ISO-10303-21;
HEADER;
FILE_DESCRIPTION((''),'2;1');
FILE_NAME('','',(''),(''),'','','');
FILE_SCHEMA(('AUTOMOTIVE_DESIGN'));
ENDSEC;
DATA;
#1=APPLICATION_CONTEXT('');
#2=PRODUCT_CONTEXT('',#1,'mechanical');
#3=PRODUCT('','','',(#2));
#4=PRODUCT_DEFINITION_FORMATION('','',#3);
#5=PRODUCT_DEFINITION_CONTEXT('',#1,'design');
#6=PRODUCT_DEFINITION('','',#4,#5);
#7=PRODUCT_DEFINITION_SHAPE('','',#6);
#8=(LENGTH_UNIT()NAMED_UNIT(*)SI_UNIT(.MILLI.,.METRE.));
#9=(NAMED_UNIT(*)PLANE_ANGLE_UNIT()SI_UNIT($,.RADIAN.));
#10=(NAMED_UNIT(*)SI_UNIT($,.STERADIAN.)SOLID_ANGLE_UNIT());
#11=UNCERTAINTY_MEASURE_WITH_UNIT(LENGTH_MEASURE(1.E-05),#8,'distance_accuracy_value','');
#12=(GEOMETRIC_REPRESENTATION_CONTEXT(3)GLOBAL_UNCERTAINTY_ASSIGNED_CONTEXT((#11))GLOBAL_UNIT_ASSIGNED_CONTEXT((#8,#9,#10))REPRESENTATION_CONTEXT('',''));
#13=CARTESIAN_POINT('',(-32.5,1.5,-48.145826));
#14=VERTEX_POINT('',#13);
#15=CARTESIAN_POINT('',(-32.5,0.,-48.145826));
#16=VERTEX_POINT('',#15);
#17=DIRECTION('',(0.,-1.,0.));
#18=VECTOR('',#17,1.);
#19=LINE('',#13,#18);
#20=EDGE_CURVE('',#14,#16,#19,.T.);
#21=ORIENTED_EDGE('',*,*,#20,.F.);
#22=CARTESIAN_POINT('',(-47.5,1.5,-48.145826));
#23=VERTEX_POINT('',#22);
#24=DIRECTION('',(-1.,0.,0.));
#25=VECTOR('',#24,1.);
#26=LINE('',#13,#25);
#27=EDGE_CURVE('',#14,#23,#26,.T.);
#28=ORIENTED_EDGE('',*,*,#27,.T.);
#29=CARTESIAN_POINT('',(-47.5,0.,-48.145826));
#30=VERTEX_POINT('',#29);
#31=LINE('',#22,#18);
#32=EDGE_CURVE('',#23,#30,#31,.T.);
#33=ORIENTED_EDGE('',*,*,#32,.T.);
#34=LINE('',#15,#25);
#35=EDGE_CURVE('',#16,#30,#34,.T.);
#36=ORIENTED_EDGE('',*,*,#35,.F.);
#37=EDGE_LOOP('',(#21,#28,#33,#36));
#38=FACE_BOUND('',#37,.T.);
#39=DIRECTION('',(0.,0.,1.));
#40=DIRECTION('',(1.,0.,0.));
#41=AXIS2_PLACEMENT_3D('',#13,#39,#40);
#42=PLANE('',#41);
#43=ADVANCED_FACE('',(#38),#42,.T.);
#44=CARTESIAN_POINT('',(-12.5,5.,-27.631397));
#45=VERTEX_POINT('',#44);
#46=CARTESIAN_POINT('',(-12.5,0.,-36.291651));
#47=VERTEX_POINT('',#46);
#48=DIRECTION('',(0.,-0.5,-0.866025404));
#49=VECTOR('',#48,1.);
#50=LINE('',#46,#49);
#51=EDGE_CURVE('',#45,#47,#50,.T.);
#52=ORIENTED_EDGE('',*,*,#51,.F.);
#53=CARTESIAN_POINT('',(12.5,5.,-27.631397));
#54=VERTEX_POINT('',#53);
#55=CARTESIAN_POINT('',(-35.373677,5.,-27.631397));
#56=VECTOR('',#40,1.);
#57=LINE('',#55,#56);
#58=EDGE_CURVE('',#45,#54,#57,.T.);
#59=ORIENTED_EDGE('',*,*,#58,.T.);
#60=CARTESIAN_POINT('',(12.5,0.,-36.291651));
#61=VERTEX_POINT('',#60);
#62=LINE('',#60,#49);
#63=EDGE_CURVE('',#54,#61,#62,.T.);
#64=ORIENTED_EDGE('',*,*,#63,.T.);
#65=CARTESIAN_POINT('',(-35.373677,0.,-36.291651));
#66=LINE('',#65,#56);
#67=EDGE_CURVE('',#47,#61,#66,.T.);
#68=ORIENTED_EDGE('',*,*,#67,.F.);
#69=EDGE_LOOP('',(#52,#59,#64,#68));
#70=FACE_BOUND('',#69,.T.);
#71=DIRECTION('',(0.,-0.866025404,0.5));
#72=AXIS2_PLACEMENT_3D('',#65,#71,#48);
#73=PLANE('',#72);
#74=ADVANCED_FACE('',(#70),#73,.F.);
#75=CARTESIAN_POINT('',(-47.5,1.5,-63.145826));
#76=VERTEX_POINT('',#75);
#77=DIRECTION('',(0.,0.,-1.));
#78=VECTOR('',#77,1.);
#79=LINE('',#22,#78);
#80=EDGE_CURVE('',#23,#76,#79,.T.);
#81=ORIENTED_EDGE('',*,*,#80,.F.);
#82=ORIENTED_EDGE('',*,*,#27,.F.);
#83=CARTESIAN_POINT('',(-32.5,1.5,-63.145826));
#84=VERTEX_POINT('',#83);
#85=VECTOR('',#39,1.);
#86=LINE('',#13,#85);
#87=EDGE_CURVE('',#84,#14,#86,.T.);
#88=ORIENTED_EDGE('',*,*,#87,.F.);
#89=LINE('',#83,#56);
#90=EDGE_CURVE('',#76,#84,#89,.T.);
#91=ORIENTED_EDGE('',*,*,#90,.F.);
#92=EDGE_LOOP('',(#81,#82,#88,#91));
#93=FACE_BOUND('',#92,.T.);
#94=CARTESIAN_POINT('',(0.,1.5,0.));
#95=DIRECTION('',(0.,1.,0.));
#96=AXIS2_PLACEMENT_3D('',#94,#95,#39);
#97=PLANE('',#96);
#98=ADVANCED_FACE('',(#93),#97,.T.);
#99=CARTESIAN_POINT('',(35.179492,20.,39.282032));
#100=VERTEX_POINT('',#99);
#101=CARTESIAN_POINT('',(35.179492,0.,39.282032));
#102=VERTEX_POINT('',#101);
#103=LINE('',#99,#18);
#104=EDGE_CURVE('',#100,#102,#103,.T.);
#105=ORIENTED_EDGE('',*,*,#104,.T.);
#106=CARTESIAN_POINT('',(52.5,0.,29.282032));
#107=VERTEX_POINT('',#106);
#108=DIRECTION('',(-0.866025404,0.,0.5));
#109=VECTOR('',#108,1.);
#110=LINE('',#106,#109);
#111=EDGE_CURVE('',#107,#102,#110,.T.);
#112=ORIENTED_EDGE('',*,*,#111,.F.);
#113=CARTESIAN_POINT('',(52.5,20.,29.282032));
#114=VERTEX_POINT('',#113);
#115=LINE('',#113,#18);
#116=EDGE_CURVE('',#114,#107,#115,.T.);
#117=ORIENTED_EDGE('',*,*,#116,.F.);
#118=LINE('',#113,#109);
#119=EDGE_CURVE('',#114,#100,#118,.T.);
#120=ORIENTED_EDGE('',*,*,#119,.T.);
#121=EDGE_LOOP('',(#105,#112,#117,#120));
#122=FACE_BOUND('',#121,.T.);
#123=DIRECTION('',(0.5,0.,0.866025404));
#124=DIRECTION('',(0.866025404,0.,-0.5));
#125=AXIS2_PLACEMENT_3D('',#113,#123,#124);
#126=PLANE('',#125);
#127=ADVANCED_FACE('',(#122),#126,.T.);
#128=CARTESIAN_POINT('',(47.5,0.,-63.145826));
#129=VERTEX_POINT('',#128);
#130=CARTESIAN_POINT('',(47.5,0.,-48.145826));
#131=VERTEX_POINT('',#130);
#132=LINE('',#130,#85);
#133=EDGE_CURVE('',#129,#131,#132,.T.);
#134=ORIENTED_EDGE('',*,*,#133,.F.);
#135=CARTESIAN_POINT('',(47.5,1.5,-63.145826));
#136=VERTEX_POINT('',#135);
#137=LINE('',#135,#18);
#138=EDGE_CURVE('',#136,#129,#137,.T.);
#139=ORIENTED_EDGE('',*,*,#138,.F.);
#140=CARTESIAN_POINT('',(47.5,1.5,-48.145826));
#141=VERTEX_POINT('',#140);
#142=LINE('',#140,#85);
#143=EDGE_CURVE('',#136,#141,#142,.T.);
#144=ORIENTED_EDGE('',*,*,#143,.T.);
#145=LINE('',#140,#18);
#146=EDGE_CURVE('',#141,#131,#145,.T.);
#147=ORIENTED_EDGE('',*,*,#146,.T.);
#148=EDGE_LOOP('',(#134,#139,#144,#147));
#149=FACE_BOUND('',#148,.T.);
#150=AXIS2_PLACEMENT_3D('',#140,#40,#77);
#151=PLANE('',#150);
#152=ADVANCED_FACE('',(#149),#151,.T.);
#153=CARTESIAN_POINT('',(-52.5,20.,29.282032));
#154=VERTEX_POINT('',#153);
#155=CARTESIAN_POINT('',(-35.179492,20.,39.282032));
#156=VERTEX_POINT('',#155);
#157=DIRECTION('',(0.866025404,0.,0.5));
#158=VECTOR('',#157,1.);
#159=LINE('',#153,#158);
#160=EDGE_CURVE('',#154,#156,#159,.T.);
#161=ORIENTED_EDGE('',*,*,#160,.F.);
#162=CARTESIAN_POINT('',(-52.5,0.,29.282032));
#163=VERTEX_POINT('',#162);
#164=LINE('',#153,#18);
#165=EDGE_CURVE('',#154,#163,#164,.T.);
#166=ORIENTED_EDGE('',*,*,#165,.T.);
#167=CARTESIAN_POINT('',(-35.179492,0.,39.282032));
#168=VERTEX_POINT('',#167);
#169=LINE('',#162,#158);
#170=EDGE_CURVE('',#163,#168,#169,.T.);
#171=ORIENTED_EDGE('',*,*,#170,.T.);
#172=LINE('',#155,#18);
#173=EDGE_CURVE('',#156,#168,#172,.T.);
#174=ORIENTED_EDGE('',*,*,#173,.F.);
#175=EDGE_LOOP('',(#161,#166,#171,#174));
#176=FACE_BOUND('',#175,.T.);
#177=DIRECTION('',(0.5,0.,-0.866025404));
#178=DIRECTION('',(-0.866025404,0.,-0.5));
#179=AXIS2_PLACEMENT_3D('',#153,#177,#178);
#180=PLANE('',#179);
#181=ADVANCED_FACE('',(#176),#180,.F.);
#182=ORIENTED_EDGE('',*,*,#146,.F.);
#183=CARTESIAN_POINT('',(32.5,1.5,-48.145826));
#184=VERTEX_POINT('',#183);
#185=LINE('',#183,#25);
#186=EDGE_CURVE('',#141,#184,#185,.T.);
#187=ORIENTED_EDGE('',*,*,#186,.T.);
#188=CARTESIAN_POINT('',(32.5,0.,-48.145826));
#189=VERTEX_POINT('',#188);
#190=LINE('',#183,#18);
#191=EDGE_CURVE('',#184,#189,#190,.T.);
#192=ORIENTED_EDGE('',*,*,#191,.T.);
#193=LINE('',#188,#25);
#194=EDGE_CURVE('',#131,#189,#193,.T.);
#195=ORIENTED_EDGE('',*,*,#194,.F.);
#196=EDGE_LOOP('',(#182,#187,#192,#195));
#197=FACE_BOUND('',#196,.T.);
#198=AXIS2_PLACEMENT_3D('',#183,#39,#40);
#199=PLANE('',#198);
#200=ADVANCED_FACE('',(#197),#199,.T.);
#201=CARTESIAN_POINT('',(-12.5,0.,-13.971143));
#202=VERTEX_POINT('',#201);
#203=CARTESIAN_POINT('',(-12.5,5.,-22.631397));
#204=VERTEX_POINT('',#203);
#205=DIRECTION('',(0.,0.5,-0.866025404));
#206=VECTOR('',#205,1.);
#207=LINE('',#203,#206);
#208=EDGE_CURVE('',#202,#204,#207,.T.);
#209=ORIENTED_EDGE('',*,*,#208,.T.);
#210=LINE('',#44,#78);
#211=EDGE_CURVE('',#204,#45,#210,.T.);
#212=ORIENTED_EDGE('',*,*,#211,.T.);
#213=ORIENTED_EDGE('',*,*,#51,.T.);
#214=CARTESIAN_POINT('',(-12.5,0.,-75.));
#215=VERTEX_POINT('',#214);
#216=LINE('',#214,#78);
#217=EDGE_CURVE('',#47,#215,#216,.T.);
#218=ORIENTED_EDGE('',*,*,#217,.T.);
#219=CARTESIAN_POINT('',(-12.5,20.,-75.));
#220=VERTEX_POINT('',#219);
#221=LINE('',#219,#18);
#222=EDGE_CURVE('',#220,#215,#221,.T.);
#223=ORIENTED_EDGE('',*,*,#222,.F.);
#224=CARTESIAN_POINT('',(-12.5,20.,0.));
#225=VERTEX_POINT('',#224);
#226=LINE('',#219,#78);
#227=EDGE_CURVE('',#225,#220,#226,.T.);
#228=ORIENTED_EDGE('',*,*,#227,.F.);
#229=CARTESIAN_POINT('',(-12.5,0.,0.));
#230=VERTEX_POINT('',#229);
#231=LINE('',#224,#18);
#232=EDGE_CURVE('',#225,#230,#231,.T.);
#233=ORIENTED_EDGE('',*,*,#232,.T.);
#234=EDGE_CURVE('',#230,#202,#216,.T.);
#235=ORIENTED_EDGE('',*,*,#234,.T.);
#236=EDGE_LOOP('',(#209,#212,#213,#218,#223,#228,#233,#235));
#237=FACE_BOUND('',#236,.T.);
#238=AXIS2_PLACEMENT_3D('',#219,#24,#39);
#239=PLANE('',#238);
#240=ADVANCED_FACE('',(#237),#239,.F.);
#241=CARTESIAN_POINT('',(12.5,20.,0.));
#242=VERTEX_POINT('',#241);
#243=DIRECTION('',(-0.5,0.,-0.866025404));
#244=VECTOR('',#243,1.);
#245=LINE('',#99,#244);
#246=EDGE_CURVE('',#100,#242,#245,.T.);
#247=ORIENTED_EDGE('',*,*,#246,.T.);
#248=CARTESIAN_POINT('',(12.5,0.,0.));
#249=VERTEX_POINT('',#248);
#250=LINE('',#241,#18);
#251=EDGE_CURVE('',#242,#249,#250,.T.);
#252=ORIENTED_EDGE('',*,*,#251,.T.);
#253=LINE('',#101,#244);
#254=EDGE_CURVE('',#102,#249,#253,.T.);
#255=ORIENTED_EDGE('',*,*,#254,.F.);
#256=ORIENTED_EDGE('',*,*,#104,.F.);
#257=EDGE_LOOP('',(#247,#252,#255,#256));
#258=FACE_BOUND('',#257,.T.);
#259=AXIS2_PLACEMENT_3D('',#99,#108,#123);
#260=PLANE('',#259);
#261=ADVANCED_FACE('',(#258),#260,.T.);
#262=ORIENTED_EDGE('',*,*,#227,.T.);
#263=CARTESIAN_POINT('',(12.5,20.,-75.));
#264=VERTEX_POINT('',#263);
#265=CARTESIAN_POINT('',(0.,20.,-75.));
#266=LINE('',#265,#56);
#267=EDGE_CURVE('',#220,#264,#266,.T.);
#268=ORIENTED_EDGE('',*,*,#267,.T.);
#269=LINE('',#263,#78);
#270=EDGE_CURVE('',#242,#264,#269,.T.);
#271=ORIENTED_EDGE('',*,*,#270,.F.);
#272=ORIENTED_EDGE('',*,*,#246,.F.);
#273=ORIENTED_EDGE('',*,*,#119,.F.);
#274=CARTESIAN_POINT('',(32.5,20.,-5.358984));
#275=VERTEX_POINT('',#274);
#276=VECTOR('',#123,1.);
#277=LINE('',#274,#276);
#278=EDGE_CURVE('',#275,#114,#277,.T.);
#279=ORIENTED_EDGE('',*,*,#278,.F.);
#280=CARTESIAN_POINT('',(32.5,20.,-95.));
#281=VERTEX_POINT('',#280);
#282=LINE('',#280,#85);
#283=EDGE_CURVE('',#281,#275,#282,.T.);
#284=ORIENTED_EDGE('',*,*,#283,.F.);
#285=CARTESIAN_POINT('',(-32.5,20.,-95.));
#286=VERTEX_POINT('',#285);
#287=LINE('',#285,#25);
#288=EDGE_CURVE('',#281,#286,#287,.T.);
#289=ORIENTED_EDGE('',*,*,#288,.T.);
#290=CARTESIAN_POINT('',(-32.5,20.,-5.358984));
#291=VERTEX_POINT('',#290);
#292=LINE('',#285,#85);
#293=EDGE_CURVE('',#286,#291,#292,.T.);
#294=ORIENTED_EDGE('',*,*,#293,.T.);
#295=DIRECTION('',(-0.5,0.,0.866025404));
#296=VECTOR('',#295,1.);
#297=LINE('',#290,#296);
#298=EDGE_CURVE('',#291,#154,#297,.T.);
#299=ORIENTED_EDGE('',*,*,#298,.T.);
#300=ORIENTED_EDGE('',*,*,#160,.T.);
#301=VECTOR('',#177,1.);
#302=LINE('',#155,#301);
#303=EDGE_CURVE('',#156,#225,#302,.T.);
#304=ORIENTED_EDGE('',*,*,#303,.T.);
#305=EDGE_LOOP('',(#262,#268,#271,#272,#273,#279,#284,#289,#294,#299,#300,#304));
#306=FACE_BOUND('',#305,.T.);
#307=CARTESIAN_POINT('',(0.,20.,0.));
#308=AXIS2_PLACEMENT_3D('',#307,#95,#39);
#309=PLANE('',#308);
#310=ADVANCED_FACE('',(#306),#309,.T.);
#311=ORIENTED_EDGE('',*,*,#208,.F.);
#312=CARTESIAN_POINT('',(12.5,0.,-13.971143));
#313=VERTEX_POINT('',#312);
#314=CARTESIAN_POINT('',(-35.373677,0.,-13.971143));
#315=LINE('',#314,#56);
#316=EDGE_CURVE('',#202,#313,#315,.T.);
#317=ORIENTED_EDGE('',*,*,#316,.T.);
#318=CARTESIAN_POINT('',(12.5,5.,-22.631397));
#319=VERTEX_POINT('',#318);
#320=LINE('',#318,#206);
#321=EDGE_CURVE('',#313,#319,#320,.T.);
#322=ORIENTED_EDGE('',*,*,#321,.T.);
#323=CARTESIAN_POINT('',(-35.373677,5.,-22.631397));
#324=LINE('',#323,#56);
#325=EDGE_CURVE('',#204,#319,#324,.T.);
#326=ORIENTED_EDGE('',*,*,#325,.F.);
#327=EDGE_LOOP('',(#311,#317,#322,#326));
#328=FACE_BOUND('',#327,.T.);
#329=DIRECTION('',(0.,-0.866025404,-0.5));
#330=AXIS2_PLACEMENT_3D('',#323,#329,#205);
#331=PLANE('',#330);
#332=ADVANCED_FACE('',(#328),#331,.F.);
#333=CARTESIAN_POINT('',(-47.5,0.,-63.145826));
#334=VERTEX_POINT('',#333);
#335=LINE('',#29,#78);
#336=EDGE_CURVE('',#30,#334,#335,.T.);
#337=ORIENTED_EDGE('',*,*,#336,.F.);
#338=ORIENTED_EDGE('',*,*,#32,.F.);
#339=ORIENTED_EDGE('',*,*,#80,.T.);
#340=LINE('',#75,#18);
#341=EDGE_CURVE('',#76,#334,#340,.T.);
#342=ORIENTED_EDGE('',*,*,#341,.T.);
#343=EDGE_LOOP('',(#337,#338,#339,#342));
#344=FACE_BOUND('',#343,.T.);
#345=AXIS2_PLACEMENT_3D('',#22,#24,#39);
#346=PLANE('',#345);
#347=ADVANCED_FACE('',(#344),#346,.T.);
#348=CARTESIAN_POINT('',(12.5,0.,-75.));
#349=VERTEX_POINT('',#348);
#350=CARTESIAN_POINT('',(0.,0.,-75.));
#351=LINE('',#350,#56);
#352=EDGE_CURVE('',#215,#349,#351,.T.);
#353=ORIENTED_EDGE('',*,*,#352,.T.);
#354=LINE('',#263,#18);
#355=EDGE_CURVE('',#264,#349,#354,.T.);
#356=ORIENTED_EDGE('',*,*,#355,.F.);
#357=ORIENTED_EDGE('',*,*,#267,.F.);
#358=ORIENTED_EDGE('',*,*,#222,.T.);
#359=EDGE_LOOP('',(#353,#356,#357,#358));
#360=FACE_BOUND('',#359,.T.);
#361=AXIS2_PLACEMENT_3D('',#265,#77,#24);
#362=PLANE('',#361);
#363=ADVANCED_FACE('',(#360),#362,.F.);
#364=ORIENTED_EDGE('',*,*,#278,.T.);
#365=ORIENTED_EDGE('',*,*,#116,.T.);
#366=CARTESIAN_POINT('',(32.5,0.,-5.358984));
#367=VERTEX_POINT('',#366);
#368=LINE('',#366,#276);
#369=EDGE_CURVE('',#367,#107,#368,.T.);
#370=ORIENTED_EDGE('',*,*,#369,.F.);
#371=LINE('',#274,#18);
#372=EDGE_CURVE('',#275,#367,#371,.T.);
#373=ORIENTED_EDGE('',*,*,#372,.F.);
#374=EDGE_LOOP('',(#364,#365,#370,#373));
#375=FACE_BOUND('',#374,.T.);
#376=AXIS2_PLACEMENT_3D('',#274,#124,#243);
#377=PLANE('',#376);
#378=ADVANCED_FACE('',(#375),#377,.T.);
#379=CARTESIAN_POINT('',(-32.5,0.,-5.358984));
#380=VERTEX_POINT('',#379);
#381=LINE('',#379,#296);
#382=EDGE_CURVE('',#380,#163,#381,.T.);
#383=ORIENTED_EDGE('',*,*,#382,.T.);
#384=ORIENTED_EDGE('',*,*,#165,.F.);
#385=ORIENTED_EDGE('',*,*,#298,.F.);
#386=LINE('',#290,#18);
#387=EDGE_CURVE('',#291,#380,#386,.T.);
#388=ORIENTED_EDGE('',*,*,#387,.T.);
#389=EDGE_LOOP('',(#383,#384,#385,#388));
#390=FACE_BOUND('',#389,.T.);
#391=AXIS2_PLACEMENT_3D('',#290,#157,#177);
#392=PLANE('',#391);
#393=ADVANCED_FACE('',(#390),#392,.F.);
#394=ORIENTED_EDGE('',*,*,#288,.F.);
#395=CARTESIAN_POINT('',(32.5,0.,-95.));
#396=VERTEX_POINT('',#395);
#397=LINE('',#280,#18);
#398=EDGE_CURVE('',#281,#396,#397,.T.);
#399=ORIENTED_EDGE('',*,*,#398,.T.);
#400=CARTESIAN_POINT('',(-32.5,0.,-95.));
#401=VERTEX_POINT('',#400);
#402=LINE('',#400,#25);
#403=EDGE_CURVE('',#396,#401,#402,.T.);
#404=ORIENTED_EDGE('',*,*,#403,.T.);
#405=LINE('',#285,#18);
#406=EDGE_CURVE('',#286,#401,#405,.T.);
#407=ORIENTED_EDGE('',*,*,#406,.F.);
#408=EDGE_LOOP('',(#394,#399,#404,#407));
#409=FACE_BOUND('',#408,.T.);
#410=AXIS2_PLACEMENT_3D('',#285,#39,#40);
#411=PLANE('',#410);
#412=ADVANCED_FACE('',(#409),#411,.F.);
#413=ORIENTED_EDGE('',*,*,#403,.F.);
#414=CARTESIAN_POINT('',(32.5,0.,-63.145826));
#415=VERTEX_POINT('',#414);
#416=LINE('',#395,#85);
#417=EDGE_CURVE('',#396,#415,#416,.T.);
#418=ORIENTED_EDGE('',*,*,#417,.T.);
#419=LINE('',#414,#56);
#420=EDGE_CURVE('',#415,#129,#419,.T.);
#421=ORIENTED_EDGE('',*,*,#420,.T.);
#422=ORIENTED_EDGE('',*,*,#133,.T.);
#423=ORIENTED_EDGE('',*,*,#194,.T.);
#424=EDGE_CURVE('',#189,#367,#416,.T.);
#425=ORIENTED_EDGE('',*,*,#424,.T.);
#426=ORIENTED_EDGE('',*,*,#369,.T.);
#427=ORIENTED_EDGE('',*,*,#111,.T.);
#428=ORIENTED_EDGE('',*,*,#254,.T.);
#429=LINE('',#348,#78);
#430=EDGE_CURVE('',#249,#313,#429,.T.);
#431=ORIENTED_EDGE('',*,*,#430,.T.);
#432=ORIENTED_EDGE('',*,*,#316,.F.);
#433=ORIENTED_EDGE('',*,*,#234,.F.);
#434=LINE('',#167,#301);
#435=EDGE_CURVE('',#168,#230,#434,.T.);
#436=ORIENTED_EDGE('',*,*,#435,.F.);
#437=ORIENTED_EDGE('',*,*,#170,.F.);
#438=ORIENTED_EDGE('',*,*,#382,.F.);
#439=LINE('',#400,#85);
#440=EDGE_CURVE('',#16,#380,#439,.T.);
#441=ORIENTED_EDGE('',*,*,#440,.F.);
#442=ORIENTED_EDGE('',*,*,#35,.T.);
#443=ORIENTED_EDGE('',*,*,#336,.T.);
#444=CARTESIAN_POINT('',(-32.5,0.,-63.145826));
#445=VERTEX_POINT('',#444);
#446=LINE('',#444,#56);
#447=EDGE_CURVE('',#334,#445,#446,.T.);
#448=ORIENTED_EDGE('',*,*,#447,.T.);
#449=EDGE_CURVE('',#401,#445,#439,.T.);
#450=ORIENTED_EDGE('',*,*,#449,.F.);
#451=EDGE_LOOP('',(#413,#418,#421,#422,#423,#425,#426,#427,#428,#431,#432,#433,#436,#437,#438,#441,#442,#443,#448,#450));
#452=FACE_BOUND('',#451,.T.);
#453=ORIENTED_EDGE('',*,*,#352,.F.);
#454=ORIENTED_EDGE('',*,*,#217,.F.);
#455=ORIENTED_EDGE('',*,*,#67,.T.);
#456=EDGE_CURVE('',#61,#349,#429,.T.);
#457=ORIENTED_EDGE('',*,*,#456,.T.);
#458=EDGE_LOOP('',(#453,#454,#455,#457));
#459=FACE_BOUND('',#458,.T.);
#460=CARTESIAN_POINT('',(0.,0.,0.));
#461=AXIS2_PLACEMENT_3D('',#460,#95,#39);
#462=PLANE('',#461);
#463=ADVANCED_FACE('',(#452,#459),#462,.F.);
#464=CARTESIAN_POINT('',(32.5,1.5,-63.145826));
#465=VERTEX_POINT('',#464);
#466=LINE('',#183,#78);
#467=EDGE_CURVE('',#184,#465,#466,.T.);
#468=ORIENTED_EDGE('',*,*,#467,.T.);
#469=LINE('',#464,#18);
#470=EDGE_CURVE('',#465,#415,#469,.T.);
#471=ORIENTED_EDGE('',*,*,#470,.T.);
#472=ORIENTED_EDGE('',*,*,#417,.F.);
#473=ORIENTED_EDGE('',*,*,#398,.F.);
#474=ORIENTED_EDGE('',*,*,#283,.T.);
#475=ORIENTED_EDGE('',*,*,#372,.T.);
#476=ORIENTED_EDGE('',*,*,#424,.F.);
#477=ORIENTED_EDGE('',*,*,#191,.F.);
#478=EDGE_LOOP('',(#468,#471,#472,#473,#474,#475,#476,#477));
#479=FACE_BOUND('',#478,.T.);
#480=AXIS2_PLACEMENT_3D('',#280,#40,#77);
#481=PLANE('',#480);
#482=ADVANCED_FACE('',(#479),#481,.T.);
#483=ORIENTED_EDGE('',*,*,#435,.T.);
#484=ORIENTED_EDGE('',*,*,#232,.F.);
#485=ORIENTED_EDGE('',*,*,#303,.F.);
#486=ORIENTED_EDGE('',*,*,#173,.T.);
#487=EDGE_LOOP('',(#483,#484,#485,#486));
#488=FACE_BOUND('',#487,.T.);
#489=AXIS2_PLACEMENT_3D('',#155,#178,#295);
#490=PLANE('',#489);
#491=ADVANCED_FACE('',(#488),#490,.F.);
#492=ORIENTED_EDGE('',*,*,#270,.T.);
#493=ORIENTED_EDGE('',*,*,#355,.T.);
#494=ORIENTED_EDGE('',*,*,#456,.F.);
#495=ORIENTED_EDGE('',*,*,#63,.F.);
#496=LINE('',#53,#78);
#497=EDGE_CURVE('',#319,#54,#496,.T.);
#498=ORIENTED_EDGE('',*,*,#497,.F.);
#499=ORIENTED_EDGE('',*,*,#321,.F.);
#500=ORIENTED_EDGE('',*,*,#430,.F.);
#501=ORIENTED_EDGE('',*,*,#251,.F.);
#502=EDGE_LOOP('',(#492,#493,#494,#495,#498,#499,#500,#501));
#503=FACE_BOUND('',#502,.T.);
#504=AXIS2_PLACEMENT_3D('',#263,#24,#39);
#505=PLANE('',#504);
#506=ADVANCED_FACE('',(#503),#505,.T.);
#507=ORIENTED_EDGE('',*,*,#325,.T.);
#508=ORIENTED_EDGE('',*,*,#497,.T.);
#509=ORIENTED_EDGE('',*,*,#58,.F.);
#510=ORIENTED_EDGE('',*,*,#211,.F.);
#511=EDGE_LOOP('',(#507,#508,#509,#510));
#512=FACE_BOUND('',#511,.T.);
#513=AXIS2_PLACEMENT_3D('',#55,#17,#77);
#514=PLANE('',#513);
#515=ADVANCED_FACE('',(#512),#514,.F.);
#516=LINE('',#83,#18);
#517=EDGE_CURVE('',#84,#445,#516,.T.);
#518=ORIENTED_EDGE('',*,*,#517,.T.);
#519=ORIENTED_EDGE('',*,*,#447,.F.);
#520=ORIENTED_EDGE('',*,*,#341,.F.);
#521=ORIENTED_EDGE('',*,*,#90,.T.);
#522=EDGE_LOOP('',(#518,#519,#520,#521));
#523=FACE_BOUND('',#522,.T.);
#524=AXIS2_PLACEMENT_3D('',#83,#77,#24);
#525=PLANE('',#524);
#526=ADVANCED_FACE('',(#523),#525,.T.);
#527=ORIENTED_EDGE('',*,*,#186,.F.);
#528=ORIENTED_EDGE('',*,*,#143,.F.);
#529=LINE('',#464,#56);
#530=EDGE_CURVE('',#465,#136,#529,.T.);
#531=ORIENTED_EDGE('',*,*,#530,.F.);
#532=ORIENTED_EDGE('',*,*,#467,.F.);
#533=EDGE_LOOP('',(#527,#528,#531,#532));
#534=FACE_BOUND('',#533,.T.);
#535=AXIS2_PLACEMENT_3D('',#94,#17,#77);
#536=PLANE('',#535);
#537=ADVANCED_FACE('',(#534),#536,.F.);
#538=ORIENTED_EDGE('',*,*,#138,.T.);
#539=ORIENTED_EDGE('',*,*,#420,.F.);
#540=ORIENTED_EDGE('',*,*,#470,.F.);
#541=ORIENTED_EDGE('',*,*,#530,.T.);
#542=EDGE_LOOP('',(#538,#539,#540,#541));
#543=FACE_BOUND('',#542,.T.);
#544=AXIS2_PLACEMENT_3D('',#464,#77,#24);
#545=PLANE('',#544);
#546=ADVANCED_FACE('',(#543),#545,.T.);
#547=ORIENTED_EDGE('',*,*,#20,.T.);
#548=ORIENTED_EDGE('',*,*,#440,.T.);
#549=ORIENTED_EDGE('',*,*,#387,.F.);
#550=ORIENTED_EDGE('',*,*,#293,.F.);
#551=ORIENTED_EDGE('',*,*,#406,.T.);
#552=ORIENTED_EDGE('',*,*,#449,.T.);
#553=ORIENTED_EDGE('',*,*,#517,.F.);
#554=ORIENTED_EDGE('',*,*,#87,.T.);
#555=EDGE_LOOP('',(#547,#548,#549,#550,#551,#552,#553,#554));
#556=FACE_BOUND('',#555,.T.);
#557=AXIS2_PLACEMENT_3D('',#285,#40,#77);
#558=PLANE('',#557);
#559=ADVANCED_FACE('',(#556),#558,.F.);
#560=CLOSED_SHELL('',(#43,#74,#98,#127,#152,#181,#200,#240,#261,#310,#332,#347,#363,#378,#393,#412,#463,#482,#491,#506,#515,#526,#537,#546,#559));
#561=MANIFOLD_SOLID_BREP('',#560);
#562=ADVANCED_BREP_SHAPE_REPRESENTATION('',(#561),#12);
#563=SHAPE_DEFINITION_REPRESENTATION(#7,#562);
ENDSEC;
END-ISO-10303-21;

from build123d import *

# Parameters (mm, degrees)
BOSS_EXTRUDE1_DEPTH = 20
BOSS_EXTRUDE2_DEPTH = 25
SKETCH6_W           = 15
SKETCH6_H           = 15
BOSS_EXTRUDE3_DEPTH = 1.5


with BuildPart() as part:
    # Sketch2 → Boss-Extrude1 (new body)
    with BuildSketch(Plane(origin=(0, 0, 0), x_dir=(1, 0, 0), z_dir=(0, 1, 0))):
        Polygon((-35.179491924, -39.282032303), (-12.5, 0), (-12.5, 75), (0, 75), (0, 95), (-32.5, 95), (-32.5, 5.358983849), (-52.5, -29.282032303), align=None)
    boss_extrude1 = extrude(amount=BOSS_EXTRUDE1_DEPTH)

    # Mirror3: Boss-Extrude1 across plane
    add(boss_extrude1.mirror(Plane(origin=(0, 0, 0), x_dir=(0, 0, 1), z_dir=(1, 0, 0))))

    # Sketch4 → Boss-Extrude2 (add)
    with BuildSketch(Plane.ZY.offset(-12.5)):
        Polygon((-36.291651246, 0), (-27.631397208, 5), (-22.631397208, 5), (-13.97114317, 0), align=None)
    extrude(amount=BOSS_EXTRUDE2_DEPTH)

    # Sketch6 → Boss-Extrude3 (add)
    with BuildSketch(Plane.XZ):
        with Locations((-40, -55.645825623)):
            Rectangle(SKETCH6_W, SKETCH6_H)
        with Locations((40, -55.645825623)):
            Rectangle(SKETCH6_W, SKETCH6_H)
    extrude(amount=-BOSS_EXTRUDE3_DEPTH)


solid = part.part
